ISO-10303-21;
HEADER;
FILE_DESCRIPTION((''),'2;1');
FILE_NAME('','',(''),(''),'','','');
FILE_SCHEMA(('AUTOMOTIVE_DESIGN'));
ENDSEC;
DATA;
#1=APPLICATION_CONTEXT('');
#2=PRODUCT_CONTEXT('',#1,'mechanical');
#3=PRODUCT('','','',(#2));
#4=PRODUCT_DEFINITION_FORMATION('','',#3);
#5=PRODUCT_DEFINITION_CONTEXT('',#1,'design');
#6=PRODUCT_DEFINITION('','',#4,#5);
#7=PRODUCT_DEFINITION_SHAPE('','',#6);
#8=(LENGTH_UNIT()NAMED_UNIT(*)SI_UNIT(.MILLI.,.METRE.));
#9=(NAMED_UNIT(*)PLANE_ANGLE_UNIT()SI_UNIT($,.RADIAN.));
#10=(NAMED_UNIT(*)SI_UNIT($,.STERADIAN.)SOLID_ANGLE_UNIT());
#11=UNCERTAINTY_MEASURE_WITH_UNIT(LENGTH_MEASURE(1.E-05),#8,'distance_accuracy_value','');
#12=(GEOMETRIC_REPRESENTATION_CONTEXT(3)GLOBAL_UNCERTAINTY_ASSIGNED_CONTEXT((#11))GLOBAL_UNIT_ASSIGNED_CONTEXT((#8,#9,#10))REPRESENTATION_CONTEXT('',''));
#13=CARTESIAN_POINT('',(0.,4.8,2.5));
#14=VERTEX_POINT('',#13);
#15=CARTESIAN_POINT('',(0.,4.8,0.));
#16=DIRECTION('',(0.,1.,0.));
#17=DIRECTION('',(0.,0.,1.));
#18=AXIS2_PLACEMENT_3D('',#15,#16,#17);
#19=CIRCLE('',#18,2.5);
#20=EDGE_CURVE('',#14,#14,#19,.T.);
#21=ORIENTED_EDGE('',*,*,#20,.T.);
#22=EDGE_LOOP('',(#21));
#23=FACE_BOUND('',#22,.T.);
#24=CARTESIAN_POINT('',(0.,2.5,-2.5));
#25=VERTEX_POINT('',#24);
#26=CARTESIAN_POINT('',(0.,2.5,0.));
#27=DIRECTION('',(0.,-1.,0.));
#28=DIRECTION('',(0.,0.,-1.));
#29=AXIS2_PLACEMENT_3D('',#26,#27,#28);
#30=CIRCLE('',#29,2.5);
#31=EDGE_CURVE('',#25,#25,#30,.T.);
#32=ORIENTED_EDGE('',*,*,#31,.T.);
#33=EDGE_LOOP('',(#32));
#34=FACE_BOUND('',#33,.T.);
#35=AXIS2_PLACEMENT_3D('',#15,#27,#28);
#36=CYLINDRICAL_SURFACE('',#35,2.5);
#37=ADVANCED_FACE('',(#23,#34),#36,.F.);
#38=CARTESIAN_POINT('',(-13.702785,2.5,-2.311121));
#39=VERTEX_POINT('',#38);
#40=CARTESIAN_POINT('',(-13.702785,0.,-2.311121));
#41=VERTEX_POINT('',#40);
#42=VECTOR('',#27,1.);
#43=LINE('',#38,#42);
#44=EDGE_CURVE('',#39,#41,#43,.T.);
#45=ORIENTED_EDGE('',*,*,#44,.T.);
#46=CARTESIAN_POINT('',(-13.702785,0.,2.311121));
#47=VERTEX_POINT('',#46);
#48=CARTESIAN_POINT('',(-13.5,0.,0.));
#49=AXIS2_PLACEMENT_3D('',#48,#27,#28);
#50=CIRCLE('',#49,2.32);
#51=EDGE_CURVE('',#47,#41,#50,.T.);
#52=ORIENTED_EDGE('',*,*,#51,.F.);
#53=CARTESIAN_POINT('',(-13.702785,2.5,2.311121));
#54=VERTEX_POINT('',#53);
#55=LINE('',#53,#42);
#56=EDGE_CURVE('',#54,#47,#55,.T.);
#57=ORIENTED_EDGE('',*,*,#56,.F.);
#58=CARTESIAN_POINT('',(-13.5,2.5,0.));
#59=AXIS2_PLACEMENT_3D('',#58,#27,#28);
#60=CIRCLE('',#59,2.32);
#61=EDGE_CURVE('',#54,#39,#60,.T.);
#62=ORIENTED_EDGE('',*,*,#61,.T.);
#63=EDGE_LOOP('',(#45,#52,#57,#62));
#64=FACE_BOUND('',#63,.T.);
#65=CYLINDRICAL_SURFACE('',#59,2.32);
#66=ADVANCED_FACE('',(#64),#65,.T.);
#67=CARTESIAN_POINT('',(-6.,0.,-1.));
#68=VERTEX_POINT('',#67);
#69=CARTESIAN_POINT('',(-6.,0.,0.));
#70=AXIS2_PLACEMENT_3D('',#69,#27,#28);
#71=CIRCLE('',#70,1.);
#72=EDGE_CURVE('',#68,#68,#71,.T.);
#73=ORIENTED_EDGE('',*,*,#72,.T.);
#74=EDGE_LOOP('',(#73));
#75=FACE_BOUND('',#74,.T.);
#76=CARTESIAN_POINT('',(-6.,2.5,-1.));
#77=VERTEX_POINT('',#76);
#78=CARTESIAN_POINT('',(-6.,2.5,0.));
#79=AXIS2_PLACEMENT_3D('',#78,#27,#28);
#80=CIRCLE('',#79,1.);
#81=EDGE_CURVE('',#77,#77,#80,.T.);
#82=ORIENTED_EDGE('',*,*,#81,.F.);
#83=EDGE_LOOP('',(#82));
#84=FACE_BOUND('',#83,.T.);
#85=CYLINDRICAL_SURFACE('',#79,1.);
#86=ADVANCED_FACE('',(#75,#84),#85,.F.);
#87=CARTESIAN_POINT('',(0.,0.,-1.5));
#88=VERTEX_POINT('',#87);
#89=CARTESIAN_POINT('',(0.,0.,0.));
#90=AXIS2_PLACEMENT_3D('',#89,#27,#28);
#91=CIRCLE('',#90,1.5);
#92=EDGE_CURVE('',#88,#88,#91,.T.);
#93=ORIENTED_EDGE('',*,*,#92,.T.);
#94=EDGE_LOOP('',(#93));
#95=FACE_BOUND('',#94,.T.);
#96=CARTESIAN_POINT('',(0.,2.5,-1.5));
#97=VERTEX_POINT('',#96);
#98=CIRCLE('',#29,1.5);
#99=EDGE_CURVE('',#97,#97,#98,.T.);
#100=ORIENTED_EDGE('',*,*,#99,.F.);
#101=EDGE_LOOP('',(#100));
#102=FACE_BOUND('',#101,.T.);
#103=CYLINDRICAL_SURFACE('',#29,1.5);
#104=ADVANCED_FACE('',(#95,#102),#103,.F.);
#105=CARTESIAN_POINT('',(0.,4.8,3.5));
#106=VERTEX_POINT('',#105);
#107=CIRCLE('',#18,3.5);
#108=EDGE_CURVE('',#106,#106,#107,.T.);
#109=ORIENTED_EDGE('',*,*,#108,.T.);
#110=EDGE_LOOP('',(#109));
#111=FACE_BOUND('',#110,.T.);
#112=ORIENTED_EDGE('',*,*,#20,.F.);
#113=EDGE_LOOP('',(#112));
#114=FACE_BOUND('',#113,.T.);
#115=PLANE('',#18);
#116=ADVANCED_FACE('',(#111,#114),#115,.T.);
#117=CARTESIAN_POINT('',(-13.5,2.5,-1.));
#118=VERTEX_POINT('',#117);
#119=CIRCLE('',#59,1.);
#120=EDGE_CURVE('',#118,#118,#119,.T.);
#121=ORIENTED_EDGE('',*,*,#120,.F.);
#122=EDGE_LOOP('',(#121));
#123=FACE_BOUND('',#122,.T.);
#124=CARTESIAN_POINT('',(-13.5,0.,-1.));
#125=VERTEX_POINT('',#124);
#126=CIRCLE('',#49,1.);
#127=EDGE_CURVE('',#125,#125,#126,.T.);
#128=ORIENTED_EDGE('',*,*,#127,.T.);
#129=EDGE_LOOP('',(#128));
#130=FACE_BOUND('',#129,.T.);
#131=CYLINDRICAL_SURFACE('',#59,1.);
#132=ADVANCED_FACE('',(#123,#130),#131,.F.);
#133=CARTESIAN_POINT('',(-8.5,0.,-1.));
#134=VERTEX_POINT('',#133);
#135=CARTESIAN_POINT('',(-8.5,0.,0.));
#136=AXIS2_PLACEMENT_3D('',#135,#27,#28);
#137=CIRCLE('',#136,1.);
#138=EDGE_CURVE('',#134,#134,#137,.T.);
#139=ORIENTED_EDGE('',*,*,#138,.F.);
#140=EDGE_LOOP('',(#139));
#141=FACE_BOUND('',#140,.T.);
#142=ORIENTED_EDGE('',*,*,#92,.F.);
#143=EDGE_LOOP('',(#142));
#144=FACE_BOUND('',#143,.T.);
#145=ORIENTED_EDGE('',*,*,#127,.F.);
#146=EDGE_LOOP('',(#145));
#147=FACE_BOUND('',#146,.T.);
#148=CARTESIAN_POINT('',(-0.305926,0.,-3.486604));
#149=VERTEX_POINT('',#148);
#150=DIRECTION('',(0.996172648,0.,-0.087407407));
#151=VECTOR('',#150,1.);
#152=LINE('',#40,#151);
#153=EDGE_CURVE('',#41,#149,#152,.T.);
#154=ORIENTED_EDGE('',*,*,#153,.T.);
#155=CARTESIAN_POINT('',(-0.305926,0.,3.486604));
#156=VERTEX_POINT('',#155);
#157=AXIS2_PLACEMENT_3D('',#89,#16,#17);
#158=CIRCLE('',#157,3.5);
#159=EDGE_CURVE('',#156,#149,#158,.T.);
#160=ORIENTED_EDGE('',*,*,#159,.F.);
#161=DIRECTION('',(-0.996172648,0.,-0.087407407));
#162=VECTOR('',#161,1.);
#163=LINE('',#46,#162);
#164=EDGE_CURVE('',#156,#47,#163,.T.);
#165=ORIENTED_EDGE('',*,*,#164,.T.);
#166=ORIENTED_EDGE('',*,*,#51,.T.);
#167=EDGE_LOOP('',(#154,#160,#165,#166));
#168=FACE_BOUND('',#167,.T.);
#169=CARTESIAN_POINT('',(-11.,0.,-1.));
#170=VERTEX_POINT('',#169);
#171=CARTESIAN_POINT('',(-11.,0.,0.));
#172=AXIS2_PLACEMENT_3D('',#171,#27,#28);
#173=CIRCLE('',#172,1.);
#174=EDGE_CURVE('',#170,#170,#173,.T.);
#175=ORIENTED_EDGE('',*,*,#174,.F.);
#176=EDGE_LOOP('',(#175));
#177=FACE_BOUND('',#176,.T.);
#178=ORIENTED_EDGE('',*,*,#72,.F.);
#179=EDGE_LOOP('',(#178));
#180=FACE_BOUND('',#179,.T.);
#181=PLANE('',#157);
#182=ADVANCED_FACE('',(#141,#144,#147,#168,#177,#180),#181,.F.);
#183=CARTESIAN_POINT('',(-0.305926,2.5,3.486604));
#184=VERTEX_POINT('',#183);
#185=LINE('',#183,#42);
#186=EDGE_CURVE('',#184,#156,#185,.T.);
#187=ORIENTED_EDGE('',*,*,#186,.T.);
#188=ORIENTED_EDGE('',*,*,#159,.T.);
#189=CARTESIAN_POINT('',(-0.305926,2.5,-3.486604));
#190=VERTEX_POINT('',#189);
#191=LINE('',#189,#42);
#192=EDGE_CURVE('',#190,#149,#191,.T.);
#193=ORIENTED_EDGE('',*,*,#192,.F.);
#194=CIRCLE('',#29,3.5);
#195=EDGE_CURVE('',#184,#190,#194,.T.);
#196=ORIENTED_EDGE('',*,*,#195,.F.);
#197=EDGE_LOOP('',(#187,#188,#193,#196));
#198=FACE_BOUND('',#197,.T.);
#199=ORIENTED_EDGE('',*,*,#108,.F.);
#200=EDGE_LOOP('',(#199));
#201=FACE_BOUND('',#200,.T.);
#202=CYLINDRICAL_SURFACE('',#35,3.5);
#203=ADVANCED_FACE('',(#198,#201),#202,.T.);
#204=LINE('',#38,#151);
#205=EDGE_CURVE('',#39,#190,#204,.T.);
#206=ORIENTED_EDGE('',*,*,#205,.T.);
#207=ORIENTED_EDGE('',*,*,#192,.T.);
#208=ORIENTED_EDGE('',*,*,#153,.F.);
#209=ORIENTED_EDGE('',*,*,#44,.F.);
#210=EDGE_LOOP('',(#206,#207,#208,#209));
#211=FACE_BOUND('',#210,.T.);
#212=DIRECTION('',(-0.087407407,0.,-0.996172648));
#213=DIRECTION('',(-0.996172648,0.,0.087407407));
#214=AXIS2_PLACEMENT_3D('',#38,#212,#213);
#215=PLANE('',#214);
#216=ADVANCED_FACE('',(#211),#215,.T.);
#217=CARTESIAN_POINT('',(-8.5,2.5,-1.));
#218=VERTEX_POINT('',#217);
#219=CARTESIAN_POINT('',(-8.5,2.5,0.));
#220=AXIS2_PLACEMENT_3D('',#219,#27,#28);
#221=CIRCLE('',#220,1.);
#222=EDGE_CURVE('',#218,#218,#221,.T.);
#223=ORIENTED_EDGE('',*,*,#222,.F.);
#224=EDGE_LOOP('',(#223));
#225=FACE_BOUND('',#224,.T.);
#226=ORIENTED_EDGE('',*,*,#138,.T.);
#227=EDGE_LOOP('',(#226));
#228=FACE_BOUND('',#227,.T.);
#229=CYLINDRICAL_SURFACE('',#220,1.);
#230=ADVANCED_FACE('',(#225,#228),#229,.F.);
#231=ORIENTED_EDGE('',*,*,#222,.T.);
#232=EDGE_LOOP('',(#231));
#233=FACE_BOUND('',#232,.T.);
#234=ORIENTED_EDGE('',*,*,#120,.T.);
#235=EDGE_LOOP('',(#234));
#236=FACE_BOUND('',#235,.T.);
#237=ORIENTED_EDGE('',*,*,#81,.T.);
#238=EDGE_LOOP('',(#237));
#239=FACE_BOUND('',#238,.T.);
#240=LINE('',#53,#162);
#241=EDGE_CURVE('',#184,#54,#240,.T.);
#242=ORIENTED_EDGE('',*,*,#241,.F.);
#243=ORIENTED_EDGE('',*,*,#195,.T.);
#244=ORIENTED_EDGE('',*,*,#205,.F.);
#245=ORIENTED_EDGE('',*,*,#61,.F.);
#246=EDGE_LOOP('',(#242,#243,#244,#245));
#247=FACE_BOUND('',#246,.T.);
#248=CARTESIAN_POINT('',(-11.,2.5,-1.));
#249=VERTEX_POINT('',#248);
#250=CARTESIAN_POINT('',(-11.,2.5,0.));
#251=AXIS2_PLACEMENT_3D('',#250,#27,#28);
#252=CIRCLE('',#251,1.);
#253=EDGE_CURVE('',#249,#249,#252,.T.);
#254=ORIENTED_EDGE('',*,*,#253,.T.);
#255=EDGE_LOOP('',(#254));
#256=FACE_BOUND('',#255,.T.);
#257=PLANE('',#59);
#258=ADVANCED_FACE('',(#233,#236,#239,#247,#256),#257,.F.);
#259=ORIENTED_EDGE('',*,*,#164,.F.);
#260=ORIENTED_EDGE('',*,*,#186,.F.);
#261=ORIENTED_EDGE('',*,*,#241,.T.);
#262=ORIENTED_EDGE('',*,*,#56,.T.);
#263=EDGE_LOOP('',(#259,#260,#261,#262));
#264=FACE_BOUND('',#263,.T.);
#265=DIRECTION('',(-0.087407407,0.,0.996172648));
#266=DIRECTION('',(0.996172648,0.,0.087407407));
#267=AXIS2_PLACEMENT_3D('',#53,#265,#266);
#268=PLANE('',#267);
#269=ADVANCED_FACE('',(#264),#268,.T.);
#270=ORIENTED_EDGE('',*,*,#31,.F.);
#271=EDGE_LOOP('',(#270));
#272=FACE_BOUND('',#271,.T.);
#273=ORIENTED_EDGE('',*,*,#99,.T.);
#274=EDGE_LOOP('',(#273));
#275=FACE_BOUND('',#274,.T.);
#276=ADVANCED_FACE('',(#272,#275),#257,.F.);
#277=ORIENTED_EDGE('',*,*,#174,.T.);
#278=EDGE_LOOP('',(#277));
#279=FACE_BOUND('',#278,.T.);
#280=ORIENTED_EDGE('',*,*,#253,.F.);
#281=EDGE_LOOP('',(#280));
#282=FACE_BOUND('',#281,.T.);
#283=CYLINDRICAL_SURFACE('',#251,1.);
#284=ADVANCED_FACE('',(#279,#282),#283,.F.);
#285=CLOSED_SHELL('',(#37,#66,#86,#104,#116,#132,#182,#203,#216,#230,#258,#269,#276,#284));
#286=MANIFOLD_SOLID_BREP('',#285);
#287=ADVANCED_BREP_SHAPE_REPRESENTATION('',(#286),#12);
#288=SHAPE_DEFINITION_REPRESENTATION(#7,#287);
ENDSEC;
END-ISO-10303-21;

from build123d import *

# Parameters (mm, degrees)
SKETCH_1_R      = 3.5
SKETCH_1_R_2    = 2.5
EXTRUDE_1_DEPTH = 4.8
SKETCH_2_R      = 1.5
SKETCH_2_R_2    = 1
EXTRUDE_2_DEPTH = 2.5


with BuildPart() as part:
    # 草图1 → 凸台-拉伸1 (new body)
    with BuildSketch(Plane(origin=(0, 0, 0), x_dir=(1, 0, 0), z_dir=(0, 1, 0))):
        with Locations(Location((0, 0, 0), (0, 0, 270))):
            Circle(SKETCH_1_R)
        with Locations(Location((0, 0, 0), (0, 0, 270))):
            Circle(SKETCH_1_R_2, mode=Mode.SUBTRACT)
    extrude(amount=EXTRUDE_1_DEPTH)

    # 草图2 → 凸台-拉伸2 (add)
    with BuildSketch(Plane.XZ):
        with BuildLine():
            Line((-13.702785185, 2.311120544), (-0.305925926, 3.486604269))
            ThreePointArc((-0.305925926, 3.486604269), (3.5, 0), (-0.305925926, -3.486604269))
            Line((-0.305925926, -3.486604269), (-13.702785185, -2.311120544))
            ThreePointArc((-13.702785185, -2.311120544), (-15.82, 0), (-13.702785185, 2.311120544))
        make_face()
        with Locations(Location((0, 0, 0), (0, 0, 270))):
            Circle(SKETCH_2_R, mode=Mode.SUBTRACT)
        with Locations(Location((-13.5, 0, 0), (0, 0, 270))):
            Circle(SKETCH_2_R_2, mode=Mode.SUBTRACT)
        with Locations(Location((-11, 0, 0), (0, 0, 270))):
            Circle(SKETCH_2_R_2, mode=Mode.SUBTRACT)
        with Locations(Location((-8.5, 0, 0), (0, 0, 270))):
            Circle(SKETCH_2_R_2, mode=Mode.SUBTRACT)
        with Locations(Location((-6, 0, 0), (0, 0, 270))):
            Circle(SKETCH_2_R_2, mode=Mode.SUBTRACT)
    extrude(amount=-EXTRUDE_2_DEPTH)


solid = part.part
